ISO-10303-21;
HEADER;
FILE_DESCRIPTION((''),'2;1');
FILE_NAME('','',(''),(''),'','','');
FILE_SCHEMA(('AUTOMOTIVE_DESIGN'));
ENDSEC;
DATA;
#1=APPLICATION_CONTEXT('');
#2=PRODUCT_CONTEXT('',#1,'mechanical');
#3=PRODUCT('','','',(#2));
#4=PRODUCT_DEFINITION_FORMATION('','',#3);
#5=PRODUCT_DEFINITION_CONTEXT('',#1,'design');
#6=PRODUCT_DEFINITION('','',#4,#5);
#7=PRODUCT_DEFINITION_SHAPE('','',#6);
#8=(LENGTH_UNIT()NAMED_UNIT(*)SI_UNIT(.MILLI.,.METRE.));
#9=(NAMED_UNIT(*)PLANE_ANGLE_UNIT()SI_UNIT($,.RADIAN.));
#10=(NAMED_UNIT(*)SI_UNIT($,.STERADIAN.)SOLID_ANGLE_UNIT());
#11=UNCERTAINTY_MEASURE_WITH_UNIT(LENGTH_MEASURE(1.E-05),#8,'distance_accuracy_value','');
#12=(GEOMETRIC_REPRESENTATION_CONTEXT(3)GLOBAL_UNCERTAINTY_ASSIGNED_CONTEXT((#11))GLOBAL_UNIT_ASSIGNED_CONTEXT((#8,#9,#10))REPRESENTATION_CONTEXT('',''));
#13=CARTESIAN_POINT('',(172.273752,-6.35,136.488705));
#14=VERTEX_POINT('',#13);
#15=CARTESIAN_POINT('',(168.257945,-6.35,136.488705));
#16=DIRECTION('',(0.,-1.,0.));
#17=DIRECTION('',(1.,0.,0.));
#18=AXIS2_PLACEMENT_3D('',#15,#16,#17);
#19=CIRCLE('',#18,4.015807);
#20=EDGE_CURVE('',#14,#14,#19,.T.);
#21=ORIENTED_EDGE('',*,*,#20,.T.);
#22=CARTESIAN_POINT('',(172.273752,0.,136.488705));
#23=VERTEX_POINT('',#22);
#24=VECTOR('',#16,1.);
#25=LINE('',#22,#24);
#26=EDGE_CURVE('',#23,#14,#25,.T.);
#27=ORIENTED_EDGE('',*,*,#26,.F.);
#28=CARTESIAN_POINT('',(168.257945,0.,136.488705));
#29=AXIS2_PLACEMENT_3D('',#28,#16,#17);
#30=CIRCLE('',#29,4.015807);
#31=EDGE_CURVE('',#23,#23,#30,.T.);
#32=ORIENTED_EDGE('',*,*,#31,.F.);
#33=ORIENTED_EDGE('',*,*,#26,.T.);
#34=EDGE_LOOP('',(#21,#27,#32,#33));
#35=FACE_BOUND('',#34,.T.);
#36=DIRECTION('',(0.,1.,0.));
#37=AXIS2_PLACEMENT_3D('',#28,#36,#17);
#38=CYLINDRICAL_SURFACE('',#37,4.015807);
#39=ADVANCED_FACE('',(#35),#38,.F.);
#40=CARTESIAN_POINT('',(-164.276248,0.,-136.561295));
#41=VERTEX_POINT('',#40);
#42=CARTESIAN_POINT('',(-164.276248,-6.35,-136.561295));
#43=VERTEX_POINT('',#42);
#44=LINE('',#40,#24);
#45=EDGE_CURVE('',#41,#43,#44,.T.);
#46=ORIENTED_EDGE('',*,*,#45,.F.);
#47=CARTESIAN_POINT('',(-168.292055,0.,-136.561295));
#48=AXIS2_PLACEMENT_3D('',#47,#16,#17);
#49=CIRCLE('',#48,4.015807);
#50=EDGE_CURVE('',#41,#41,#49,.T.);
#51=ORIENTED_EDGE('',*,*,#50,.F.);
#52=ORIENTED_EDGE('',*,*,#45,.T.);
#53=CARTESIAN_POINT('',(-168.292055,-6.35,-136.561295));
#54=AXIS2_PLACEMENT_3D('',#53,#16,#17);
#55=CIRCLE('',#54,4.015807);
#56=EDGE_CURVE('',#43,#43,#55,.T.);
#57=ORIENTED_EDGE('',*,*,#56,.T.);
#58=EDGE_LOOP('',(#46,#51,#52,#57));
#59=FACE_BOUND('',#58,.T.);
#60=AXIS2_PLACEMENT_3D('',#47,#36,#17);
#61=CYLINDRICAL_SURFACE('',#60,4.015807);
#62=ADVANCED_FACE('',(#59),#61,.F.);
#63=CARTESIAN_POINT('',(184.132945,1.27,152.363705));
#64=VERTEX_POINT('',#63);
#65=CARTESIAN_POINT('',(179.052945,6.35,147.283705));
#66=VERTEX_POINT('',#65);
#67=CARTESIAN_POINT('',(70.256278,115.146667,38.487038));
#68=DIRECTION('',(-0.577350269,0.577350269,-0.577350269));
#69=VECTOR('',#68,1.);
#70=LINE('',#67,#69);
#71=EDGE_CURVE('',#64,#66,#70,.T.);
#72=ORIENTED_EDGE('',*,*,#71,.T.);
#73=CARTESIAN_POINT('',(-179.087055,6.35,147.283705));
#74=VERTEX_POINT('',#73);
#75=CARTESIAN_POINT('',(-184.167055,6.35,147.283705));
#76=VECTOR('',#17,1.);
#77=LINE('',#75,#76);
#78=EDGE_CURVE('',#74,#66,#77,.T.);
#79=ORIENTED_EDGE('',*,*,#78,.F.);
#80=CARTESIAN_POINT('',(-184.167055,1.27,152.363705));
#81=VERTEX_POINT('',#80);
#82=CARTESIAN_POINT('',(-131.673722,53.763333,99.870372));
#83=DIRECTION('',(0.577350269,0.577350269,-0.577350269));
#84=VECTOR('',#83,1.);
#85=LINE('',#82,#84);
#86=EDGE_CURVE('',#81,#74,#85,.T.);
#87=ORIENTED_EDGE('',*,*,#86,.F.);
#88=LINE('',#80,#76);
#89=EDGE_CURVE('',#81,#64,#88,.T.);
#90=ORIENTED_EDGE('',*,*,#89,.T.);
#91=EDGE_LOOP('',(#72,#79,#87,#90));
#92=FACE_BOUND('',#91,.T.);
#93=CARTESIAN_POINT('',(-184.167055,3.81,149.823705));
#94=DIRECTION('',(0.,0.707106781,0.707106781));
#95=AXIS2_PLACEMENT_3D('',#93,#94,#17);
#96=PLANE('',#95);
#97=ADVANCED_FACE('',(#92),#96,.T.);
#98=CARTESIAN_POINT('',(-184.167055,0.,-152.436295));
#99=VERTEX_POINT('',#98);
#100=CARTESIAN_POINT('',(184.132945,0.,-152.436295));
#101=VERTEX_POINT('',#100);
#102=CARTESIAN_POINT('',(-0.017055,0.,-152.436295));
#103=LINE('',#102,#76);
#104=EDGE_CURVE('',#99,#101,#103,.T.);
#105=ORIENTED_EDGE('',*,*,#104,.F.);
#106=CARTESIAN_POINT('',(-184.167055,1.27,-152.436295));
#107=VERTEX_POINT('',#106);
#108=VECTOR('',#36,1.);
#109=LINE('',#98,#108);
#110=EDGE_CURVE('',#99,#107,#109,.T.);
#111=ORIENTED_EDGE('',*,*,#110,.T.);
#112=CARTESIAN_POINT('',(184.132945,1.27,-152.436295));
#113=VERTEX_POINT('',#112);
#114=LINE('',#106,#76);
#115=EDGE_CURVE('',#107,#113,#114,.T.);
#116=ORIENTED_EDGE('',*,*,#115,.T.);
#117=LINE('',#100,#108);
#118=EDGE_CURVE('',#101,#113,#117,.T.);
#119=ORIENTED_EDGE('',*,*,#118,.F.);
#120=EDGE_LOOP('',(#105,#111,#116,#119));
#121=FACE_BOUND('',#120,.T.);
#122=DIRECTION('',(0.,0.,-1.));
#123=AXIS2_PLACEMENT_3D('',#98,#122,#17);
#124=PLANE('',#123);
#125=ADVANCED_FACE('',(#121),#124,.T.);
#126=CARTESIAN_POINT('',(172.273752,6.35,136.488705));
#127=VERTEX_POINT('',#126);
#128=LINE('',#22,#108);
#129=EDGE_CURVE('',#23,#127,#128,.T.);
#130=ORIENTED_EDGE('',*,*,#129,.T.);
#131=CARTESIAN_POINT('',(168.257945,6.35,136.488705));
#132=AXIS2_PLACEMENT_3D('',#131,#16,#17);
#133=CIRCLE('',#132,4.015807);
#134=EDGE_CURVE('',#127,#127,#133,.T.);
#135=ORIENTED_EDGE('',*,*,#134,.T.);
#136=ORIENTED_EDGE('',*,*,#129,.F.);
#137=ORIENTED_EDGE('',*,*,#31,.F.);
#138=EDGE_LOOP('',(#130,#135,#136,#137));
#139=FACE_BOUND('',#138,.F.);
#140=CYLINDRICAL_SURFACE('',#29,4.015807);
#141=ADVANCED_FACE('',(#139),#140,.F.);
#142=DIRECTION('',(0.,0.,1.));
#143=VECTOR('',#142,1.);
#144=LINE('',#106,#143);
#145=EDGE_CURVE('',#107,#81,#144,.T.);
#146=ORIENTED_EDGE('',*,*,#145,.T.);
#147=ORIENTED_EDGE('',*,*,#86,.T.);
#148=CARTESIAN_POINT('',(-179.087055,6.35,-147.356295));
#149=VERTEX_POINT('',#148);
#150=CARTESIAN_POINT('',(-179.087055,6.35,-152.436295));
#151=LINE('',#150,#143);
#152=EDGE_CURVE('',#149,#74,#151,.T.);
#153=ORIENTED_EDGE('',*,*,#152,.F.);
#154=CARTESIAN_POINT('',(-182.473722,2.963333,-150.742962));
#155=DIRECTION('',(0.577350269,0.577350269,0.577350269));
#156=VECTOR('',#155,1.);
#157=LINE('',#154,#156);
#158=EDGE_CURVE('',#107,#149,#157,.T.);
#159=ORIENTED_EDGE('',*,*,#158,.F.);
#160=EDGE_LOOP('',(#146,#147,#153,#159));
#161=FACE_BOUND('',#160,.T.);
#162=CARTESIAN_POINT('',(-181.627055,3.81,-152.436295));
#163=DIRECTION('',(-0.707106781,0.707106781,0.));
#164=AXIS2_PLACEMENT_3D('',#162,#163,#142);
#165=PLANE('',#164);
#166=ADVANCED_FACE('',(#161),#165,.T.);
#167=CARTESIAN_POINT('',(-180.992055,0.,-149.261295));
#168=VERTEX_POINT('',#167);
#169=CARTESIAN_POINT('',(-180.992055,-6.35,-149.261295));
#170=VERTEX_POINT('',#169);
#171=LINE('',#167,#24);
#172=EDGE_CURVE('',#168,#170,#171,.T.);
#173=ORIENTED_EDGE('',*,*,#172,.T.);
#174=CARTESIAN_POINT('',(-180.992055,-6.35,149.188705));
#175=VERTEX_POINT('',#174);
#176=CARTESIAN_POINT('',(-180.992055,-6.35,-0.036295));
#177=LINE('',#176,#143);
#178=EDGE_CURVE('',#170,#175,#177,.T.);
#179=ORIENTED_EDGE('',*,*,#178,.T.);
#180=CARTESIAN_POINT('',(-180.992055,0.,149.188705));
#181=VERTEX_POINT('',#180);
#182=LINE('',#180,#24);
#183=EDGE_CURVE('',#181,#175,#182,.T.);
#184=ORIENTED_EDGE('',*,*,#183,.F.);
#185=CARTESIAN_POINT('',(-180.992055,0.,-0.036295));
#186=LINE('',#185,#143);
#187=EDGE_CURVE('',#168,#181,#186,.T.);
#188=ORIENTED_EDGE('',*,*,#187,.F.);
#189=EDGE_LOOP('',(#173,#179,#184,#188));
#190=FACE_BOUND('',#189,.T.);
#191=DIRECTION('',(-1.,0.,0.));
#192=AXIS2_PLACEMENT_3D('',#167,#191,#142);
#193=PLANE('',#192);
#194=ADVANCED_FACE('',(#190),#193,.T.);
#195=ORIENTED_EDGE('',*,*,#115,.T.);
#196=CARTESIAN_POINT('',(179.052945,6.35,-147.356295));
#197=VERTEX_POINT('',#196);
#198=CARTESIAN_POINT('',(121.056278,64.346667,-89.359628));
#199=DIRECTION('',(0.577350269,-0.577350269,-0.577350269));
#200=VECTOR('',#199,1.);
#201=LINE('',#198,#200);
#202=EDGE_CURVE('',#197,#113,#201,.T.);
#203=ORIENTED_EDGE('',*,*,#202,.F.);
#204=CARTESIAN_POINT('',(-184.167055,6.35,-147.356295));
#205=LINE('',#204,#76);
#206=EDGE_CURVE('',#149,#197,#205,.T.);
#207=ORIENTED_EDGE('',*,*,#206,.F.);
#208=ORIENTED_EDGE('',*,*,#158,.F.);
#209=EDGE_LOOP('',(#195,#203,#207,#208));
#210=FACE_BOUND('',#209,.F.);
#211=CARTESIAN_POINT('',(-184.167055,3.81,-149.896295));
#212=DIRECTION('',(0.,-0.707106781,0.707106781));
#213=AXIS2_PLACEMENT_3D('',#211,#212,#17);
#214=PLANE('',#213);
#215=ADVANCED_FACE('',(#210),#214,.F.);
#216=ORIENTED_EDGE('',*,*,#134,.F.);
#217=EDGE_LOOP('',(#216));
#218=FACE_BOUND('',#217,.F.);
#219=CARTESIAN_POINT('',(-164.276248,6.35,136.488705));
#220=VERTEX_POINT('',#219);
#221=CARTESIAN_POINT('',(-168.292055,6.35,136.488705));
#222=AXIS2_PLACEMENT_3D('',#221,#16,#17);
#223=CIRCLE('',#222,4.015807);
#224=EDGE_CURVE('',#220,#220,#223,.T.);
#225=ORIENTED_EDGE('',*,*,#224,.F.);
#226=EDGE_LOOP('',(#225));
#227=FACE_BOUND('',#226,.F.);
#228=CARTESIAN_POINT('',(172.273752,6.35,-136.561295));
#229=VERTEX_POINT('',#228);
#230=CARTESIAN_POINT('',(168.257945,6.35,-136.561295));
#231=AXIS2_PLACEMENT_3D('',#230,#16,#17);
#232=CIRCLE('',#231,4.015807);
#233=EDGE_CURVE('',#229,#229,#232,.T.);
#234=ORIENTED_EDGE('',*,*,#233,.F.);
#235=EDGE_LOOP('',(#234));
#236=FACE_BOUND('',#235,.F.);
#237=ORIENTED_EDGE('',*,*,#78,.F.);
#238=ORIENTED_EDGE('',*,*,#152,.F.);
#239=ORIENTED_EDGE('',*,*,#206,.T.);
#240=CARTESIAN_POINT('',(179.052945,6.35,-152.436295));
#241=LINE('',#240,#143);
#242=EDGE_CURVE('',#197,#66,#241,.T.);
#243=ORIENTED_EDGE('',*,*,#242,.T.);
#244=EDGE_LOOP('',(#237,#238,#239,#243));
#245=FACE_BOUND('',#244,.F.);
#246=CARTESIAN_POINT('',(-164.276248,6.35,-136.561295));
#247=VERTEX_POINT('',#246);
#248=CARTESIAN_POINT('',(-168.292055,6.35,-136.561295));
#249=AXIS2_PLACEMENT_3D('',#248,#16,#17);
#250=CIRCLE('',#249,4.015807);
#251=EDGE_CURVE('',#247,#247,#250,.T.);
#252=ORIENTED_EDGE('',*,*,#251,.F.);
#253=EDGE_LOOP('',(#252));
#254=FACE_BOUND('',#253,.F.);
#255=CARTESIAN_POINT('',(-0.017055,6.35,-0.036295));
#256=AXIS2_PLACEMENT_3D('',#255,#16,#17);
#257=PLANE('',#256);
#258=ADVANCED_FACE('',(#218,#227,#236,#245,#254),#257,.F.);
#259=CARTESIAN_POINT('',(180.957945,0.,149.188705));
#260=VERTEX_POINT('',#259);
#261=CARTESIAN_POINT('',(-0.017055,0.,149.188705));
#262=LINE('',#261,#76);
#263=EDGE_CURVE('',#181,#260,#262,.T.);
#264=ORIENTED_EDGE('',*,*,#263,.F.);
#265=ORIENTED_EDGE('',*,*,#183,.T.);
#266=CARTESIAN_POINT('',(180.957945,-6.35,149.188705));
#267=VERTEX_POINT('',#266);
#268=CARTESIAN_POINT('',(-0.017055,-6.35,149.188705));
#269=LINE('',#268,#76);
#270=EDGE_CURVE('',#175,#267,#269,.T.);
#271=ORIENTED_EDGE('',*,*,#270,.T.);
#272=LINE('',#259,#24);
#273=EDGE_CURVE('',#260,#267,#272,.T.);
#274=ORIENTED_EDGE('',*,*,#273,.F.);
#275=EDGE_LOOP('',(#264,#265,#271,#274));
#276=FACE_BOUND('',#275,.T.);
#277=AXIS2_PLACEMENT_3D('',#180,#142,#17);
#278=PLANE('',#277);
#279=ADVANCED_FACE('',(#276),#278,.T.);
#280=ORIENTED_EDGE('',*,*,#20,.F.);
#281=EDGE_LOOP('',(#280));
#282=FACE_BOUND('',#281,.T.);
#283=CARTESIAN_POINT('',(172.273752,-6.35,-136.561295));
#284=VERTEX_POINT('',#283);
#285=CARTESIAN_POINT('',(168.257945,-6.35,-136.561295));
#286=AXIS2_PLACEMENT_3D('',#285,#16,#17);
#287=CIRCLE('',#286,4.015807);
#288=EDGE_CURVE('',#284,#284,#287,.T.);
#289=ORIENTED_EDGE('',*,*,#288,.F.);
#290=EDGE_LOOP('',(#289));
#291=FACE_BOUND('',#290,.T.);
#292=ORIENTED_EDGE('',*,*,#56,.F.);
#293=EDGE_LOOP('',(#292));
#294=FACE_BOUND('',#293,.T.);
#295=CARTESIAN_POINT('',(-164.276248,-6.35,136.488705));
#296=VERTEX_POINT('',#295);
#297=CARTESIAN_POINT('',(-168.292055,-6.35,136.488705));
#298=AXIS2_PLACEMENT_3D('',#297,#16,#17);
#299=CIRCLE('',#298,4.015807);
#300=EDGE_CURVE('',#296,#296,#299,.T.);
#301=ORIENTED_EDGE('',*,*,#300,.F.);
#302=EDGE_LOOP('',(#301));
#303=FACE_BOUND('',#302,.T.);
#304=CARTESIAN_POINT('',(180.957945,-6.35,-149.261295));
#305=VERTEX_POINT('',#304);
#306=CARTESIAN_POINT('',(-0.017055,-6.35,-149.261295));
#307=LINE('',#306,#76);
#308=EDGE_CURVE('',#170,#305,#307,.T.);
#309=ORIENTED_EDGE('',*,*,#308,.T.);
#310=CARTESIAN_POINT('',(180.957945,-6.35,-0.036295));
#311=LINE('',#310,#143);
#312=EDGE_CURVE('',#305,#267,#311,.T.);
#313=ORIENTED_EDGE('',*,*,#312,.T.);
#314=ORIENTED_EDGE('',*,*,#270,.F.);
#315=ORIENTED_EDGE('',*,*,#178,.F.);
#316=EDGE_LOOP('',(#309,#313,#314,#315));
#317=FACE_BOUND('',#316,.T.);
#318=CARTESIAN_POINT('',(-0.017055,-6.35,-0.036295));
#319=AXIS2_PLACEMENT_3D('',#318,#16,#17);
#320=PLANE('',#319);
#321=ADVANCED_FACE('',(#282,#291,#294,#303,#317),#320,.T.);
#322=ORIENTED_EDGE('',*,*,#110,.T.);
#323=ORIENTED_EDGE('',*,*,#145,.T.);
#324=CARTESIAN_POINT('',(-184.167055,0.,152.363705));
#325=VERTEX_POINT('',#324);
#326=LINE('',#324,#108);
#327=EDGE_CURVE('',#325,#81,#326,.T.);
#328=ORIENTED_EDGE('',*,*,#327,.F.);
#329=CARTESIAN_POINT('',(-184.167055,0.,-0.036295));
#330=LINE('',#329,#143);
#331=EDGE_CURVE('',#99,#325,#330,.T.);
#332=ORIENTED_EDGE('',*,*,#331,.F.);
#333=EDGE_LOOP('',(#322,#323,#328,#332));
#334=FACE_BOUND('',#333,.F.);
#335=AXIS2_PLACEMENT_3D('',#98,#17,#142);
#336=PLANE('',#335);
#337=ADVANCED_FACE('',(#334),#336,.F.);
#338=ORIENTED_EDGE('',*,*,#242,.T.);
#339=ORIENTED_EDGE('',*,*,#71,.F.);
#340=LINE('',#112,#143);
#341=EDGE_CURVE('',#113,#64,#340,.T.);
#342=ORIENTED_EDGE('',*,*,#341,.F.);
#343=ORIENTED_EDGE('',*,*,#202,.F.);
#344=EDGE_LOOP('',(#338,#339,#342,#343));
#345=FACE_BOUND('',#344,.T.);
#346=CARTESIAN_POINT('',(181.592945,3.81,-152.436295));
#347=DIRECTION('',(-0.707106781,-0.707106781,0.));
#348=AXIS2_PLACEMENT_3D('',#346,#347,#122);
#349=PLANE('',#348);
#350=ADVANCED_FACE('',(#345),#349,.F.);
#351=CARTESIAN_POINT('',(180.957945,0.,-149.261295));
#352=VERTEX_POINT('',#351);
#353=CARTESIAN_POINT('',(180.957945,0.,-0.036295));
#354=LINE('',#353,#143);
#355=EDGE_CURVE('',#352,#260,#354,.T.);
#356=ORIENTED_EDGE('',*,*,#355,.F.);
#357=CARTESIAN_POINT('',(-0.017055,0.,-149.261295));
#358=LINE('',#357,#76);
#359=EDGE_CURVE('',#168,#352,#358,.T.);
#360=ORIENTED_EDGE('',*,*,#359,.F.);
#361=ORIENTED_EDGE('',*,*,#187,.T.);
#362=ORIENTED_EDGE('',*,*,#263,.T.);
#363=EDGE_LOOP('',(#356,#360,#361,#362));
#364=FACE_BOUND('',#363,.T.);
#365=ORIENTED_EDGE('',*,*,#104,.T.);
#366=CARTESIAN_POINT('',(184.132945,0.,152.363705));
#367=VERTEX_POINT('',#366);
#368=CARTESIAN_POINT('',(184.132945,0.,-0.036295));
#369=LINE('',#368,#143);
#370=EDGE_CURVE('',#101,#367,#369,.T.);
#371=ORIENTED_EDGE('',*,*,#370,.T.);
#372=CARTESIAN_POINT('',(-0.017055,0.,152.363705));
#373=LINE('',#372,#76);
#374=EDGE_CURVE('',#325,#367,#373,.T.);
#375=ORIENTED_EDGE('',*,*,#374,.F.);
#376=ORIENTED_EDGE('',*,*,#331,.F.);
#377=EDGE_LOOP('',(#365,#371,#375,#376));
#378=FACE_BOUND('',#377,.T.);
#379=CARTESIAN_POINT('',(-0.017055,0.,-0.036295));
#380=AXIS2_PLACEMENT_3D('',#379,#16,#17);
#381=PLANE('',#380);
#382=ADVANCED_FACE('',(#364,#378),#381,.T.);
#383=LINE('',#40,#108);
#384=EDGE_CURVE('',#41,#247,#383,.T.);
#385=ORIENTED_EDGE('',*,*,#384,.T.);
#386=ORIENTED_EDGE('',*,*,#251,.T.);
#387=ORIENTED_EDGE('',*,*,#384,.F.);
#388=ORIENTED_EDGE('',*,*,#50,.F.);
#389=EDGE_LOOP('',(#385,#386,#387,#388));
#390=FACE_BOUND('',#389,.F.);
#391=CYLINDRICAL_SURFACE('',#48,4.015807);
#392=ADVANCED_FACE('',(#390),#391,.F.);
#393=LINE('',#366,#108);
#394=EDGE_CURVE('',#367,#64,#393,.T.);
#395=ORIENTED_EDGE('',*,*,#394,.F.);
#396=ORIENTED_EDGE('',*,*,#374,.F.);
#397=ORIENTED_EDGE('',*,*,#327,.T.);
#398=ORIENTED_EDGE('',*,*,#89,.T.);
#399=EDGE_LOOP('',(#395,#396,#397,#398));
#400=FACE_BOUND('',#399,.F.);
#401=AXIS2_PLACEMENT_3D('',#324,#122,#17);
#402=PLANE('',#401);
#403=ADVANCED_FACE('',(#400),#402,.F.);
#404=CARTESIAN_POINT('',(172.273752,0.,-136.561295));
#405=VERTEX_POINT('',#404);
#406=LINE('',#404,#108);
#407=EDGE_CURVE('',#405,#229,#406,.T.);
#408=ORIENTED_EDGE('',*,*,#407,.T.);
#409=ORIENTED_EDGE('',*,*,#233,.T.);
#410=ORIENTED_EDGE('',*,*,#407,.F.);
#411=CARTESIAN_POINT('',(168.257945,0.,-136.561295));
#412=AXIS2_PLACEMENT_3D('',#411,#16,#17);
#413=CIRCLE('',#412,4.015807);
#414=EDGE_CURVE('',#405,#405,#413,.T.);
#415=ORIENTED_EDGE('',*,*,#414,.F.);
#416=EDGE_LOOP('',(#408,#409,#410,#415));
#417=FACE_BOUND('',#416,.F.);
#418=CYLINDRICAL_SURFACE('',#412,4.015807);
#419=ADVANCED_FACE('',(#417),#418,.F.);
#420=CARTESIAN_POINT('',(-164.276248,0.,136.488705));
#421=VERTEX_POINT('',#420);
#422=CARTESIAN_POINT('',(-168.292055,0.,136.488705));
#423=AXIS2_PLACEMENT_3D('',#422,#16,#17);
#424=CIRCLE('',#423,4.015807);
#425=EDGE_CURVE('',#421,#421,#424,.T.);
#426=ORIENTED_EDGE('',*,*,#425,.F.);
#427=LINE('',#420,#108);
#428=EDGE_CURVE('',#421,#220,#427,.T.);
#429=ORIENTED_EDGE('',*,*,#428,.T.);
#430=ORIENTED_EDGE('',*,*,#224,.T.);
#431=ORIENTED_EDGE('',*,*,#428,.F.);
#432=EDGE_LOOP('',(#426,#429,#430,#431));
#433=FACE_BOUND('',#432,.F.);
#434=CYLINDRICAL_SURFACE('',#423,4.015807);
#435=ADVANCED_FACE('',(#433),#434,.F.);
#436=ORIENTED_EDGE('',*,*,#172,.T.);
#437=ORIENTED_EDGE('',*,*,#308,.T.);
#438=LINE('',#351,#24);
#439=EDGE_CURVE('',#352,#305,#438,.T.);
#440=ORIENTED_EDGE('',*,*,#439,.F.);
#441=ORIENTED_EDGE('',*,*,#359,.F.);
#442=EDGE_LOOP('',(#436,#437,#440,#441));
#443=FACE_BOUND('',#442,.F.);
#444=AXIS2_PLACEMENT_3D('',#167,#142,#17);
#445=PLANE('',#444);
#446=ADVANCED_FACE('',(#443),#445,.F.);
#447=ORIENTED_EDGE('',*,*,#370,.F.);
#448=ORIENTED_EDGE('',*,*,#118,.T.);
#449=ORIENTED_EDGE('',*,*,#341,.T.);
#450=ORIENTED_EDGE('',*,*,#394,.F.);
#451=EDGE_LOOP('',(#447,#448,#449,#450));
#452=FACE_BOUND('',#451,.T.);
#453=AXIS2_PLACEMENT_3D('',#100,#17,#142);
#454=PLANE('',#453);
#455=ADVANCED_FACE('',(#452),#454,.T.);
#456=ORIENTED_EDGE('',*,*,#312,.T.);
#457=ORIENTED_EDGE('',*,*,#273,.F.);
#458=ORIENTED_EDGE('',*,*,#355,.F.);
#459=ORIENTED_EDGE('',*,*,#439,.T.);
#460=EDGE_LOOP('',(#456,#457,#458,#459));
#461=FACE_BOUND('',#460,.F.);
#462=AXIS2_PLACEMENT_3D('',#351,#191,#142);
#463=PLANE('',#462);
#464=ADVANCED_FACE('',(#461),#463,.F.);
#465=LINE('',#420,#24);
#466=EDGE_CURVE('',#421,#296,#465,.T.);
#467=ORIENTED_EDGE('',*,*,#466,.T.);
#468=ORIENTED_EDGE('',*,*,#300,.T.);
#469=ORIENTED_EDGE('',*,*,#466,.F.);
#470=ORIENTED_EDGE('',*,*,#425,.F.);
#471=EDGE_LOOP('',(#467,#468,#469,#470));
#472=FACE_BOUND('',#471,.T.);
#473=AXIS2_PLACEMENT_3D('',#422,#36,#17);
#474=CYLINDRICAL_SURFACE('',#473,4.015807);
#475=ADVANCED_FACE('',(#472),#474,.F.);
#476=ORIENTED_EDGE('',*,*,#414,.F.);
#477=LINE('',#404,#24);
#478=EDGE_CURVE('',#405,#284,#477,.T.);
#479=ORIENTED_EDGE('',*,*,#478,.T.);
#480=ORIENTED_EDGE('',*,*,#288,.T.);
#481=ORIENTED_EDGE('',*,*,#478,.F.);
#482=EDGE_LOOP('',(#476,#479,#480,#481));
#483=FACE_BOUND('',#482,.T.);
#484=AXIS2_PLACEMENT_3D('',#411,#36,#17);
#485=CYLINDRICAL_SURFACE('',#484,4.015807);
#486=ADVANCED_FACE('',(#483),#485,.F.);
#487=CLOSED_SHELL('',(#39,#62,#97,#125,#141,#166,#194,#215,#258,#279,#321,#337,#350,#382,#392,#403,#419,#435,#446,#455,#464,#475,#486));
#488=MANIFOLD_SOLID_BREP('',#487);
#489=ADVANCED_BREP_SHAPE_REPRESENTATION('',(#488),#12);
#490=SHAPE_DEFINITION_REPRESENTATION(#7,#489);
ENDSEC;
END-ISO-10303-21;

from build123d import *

# Parameters (mm, degrees)
F0_W     = 361.95
F0_H     = 298.45
F0_R     = 4.015807
F1_DEPTH = 6.35
F0_W_2   = 368.3
F0_H_2   = 304.8
F2_DEPTH = 6.35
F3_SIZE  = 5.08


with BuildPart() as f1:
    # F0 (on Front) → F1 (new body)
    with BuildSketch(Plane.XZ):
        with Locations((-0.017055, -0.036295)):
            Rectangle(F0_W, F0_H)
        with Locations((-168.292055, -136.561295)):
            Circle(F0_R, mode=Mode.SUBTRACT)
        with Locations((168.257945, -136.561295)):
            Circle(F0_R, mode=Mode.SUBTRACT)
        with Locations((-168.292055, 136.488705)):
            Circle(F0_R, mode=Mode.SUBTRACT)
        with Locations((168.257945, 136.488705)):
            Circle(F0_R, mode=Mode.SUBTRACT)
    extrude(amount=F1_DEPTH)

    # F0 (on Front) → F2 (join)
    with BuildSketch(Plane.XZ):
        with Locations((-0.017055, -0.036295)):
            Rectangle(F0_W_2, F0_H_2)
        with Locations((-0.017055, -0.036295)):
            Rectangle(F0_W, F0_H, mode=Mode.SUBTRACT)
        with Locations((-0.017055, -0.036295)):
            Rectangle(F0_W, F0_H)
        with Locations((-168.292055, -136.561295)):
            Circle(F0_R, mode=Mode.SUBTRACT)
        with Locations((168.257945, -136.561295)):
            Circle(F0_R, mode=Mode.SUBTRACT)
        with Locations((-168.292055, 136.488705)):
            Circle(F0_R, mode=Mode.SUBTRACT)
        with Locations((168.257945, 136.488705)):
            Circle(F0_R, mode=Mode.SUBTRACT)
    extrude(amount=-F2_DEPTH)

    # F3
    f3_edges = [f1.edges().sort_by_distance(p)[0] for p in [
        (-0.017055, 6.35, 152.363705),
        (184.132945, 6.35, -0.036295),
        (-0.017055, 6.35, -152.436295),
        (-184.167055, 6.35, -0.036295),
    ]]
    chamfer(f3_edges, length=F3_SIZE)


solid = f1.part
